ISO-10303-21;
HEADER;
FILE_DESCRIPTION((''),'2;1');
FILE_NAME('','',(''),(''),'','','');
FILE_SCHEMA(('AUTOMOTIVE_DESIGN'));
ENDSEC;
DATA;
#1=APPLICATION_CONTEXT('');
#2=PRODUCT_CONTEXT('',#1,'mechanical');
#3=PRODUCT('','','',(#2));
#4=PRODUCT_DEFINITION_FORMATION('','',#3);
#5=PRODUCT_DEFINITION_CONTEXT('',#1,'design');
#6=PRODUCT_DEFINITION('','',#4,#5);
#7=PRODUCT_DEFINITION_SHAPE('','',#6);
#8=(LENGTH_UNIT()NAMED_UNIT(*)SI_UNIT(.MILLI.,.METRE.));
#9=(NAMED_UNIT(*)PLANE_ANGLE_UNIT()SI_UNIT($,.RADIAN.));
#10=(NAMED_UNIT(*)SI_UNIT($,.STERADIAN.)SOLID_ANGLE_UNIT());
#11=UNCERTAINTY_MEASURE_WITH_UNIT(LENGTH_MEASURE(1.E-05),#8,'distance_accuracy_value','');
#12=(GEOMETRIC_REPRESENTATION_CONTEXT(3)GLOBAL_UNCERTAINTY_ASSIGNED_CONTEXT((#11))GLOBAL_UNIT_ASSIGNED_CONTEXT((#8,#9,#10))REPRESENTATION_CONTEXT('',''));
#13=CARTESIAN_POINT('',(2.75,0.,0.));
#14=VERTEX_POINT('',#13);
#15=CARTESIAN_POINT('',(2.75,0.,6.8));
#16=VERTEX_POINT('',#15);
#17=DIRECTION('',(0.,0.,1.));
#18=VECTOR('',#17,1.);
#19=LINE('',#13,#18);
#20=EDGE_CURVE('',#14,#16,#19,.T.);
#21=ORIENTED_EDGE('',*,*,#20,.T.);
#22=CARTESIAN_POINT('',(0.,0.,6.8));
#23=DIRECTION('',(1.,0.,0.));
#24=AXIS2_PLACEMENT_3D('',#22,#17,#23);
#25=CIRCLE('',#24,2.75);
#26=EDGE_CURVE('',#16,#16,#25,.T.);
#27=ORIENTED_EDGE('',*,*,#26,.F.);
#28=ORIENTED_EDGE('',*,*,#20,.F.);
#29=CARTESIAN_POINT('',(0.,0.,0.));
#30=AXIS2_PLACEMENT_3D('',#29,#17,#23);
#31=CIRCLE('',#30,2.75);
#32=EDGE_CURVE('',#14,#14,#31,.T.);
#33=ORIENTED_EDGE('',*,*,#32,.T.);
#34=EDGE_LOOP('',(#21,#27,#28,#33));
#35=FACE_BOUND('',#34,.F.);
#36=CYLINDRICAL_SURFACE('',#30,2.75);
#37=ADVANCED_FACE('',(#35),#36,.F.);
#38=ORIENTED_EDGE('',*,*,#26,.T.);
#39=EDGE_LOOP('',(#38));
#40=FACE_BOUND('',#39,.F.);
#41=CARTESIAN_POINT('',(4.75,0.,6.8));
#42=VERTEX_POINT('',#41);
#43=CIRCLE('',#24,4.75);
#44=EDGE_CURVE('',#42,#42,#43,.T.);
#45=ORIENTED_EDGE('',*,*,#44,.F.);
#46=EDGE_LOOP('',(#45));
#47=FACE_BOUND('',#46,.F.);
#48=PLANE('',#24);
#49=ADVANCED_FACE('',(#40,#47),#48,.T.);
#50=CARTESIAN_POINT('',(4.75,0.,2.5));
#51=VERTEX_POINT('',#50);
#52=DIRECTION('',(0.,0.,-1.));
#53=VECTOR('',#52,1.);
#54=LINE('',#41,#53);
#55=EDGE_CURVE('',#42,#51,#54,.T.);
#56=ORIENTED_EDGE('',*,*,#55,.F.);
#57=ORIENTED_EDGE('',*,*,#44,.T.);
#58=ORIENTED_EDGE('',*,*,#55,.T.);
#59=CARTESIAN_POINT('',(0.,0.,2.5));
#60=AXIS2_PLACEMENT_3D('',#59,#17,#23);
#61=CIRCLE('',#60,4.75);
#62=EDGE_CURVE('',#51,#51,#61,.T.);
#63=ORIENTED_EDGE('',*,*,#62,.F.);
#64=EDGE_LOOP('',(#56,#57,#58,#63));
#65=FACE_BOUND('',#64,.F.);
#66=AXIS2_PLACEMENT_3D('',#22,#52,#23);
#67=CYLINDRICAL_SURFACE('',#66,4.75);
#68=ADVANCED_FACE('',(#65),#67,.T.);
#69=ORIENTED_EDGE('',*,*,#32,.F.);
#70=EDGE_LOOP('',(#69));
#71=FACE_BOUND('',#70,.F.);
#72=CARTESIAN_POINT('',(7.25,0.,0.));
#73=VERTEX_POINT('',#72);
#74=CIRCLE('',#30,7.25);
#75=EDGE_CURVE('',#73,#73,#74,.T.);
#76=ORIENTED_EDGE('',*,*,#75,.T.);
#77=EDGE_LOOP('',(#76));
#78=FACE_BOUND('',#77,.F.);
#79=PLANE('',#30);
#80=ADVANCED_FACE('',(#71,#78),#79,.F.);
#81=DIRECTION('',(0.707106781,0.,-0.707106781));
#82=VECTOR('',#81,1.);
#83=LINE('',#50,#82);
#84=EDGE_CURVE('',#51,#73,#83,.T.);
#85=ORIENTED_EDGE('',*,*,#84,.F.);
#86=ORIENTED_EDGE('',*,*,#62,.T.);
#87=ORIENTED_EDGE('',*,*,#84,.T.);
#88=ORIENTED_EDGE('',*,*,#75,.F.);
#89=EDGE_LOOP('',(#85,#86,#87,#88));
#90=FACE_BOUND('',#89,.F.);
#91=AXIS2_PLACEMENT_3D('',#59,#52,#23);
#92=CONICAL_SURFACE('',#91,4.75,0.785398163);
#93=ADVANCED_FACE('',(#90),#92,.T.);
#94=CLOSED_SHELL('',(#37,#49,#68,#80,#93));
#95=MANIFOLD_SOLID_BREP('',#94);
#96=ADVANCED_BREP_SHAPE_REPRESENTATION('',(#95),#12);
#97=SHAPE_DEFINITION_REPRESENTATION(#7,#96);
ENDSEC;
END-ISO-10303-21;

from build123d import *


with BuildPart() as part:
    # Sketch → Revolution (revolve)
    with BuildSketch(Plane.XZ):
        Polygon((2.75, 0), (2.75, 6.8), (4.75, 6.8), (4.75, 2.5), (7.25, 0), align=None)
    revolve(axis=Axis((0, 0, 0), (0, 0, 1)))


solid = part.part
